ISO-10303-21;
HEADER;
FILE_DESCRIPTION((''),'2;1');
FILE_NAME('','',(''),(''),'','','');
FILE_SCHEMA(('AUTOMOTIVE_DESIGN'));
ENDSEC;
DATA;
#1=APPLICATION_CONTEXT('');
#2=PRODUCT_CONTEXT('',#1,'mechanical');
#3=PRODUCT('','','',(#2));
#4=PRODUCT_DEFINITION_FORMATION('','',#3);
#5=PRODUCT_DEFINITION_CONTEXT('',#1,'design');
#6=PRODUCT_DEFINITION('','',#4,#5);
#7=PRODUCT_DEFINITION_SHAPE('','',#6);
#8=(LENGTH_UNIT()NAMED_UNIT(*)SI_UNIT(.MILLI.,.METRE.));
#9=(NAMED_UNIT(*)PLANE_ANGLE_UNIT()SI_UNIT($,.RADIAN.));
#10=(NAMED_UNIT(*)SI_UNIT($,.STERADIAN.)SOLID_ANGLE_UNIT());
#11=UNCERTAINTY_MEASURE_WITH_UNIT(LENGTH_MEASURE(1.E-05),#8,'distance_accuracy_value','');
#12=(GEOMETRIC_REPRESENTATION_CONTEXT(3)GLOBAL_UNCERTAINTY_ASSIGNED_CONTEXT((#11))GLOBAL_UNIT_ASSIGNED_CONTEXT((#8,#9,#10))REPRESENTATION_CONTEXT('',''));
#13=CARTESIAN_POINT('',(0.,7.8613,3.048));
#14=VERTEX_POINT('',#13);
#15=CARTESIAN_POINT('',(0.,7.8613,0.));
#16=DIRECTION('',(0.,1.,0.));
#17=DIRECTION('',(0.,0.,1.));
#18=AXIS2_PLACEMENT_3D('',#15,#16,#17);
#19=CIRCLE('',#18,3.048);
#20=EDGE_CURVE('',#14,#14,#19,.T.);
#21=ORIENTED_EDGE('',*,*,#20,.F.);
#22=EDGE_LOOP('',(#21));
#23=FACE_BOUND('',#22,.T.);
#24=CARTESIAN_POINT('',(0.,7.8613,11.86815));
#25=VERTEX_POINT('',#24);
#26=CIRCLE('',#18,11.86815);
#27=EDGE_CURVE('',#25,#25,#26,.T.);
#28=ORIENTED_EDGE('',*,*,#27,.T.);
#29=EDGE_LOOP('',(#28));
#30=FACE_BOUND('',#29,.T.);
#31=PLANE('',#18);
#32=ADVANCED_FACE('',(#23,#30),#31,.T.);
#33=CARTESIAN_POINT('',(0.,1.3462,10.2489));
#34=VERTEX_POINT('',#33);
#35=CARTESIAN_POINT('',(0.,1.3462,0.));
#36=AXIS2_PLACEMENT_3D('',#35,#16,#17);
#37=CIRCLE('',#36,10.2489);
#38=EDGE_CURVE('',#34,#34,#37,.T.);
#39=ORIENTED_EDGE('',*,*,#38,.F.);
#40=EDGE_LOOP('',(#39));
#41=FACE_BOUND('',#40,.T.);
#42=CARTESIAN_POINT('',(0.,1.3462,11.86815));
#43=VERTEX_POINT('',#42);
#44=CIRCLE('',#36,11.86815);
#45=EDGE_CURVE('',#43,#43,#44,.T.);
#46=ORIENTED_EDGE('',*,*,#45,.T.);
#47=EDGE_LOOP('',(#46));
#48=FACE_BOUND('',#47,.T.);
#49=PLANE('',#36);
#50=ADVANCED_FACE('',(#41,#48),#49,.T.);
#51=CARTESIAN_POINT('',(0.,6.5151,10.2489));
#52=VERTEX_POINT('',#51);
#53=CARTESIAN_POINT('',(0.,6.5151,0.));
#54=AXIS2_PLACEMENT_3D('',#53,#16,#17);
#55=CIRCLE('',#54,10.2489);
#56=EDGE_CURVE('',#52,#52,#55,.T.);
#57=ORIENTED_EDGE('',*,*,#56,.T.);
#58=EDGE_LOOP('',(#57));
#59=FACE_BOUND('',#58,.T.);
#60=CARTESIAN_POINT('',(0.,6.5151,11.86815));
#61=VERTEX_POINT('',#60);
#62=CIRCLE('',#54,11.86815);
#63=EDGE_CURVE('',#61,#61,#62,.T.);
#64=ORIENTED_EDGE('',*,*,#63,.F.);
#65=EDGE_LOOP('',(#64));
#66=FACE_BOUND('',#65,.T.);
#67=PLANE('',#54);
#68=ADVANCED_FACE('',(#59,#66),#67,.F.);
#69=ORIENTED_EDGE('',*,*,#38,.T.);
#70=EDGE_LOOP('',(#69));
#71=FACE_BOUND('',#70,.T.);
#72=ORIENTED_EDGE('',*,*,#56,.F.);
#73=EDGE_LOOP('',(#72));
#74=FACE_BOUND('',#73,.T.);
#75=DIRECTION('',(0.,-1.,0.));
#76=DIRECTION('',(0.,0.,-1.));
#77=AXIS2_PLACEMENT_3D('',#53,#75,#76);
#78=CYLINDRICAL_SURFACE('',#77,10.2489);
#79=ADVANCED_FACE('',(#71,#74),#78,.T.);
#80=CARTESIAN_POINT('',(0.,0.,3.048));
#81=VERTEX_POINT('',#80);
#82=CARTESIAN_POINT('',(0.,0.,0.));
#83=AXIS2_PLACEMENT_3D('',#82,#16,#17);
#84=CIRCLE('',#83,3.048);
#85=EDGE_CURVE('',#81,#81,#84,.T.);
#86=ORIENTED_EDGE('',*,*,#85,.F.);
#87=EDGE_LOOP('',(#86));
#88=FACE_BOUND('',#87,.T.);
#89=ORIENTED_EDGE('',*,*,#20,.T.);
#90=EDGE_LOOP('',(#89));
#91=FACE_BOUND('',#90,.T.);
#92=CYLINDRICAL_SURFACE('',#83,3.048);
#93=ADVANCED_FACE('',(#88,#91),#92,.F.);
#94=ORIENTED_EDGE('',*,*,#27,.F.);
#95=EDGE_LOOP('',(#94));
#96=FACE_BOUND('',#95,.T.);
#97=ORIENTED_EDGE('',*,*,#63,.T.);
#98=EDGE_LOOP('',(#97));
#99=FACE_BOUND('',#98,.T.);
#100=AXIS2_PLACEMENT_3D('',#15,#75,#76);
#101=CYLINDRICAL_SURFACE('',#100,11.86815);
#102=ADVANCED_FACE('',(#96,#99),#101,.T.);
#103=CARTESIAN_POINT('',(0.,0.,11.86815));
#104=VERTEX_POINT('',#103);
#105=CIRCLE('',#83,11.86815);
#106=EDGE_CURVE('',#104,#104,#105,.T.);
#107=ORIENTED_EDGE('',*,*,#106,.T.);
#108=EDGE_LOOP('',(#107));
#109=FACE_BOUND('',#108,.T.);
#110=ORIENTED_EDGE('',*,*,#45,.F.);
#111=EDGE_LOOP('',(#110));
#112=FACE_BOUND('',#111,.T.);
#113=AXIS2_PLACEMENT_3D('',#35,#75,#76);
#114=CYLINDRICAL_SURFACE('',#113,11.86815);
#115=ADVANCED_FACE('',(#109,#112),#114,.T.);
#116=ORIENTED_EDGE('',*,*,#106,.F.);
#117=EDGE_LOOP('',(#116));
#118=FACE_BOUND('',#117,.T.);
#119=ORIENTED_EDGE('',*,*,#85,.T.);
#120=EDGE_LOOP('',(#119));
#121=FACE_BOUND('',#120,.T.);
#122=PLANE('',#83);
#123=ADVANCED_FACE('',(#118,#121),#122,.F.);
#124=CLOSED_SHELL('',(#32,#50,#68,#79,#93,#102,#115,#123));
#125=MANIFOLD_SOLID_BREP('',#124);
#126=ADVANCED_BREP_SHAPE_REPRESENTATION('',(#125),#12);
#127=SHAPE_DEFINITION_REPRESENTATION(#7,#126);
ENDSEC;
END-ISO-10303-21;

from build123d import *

# Parameters (mm, degrees)
SKETCH1_R           = 11.86815
BOSS_EXTRUDE1_DEPTH = 1.3462
SKETCH2_R           = 10.2489
BOSS_EXTRUDE2_DEPTH = 5.1689
SKETCH3_R           = 11.86815
BOSS_EXTRUDE4_DEPTH = 1.3462
SKETCH4_R           = 3.048
CUT_EXTRUDE1_DEPTH  = 19.533915035


with BuildPart() as part:
    # Sketch1 → Boss-Extrude1 (new body)
    with BuildSketch(Plane(origin=(0, 0, 0), x_dir=(1, 0, 0), z_dir=(0, 1, 0))):
        with Locations(Location((0, 0, 0), (0, 0, 270))):
            Circle(SKETCH1_R)
    extrude(amount=BOSS_EXTRUDE1_DEPTH)

    # Sketch2 → Boss-Extrude2 (add)
    with BuildSketch(Plane(origin=(0, 1.3462, 0), x_dir=(1, 0, 0), z_dir=(0, 1, 0))):
        with Locations(Location((0, 0, 0), (0, 0, 270))):
            Circle(SKETCH2_R)
    extrude(amount=BOSS_EXTRUDE2_DEPTH)

    # Sketch3 → Boss-Extrude4 (add)
    with BuildSketch(Plane(origin=(0, 6.5151, 0), x_dir=(1, 0, 0), z_dir=(0, 1, 0))):
        with Locations(Location((0, 0, 0), (0, 0, 270))):
            Circle(SKETCH3_R)
    extrude(amount=BOSS_EXTRUDE4_DEPTH)

    # Sketch4 → Cut-Extrude1 (cut, through all)
    with BuildSketch(Plane(origin=(0, 7.8613, 0), x_dir=(1, 0, 0), z_dir=(0, 1, 0))):
        with Locations(Location((0, 0, 0), (0, 0, 270))):
            Circle(SKETCH4_R)
    extrude(amount=-CUT_EXTRUDE1_DEPTH, mode=Mode.SUBTRACT)


solid = part.part
